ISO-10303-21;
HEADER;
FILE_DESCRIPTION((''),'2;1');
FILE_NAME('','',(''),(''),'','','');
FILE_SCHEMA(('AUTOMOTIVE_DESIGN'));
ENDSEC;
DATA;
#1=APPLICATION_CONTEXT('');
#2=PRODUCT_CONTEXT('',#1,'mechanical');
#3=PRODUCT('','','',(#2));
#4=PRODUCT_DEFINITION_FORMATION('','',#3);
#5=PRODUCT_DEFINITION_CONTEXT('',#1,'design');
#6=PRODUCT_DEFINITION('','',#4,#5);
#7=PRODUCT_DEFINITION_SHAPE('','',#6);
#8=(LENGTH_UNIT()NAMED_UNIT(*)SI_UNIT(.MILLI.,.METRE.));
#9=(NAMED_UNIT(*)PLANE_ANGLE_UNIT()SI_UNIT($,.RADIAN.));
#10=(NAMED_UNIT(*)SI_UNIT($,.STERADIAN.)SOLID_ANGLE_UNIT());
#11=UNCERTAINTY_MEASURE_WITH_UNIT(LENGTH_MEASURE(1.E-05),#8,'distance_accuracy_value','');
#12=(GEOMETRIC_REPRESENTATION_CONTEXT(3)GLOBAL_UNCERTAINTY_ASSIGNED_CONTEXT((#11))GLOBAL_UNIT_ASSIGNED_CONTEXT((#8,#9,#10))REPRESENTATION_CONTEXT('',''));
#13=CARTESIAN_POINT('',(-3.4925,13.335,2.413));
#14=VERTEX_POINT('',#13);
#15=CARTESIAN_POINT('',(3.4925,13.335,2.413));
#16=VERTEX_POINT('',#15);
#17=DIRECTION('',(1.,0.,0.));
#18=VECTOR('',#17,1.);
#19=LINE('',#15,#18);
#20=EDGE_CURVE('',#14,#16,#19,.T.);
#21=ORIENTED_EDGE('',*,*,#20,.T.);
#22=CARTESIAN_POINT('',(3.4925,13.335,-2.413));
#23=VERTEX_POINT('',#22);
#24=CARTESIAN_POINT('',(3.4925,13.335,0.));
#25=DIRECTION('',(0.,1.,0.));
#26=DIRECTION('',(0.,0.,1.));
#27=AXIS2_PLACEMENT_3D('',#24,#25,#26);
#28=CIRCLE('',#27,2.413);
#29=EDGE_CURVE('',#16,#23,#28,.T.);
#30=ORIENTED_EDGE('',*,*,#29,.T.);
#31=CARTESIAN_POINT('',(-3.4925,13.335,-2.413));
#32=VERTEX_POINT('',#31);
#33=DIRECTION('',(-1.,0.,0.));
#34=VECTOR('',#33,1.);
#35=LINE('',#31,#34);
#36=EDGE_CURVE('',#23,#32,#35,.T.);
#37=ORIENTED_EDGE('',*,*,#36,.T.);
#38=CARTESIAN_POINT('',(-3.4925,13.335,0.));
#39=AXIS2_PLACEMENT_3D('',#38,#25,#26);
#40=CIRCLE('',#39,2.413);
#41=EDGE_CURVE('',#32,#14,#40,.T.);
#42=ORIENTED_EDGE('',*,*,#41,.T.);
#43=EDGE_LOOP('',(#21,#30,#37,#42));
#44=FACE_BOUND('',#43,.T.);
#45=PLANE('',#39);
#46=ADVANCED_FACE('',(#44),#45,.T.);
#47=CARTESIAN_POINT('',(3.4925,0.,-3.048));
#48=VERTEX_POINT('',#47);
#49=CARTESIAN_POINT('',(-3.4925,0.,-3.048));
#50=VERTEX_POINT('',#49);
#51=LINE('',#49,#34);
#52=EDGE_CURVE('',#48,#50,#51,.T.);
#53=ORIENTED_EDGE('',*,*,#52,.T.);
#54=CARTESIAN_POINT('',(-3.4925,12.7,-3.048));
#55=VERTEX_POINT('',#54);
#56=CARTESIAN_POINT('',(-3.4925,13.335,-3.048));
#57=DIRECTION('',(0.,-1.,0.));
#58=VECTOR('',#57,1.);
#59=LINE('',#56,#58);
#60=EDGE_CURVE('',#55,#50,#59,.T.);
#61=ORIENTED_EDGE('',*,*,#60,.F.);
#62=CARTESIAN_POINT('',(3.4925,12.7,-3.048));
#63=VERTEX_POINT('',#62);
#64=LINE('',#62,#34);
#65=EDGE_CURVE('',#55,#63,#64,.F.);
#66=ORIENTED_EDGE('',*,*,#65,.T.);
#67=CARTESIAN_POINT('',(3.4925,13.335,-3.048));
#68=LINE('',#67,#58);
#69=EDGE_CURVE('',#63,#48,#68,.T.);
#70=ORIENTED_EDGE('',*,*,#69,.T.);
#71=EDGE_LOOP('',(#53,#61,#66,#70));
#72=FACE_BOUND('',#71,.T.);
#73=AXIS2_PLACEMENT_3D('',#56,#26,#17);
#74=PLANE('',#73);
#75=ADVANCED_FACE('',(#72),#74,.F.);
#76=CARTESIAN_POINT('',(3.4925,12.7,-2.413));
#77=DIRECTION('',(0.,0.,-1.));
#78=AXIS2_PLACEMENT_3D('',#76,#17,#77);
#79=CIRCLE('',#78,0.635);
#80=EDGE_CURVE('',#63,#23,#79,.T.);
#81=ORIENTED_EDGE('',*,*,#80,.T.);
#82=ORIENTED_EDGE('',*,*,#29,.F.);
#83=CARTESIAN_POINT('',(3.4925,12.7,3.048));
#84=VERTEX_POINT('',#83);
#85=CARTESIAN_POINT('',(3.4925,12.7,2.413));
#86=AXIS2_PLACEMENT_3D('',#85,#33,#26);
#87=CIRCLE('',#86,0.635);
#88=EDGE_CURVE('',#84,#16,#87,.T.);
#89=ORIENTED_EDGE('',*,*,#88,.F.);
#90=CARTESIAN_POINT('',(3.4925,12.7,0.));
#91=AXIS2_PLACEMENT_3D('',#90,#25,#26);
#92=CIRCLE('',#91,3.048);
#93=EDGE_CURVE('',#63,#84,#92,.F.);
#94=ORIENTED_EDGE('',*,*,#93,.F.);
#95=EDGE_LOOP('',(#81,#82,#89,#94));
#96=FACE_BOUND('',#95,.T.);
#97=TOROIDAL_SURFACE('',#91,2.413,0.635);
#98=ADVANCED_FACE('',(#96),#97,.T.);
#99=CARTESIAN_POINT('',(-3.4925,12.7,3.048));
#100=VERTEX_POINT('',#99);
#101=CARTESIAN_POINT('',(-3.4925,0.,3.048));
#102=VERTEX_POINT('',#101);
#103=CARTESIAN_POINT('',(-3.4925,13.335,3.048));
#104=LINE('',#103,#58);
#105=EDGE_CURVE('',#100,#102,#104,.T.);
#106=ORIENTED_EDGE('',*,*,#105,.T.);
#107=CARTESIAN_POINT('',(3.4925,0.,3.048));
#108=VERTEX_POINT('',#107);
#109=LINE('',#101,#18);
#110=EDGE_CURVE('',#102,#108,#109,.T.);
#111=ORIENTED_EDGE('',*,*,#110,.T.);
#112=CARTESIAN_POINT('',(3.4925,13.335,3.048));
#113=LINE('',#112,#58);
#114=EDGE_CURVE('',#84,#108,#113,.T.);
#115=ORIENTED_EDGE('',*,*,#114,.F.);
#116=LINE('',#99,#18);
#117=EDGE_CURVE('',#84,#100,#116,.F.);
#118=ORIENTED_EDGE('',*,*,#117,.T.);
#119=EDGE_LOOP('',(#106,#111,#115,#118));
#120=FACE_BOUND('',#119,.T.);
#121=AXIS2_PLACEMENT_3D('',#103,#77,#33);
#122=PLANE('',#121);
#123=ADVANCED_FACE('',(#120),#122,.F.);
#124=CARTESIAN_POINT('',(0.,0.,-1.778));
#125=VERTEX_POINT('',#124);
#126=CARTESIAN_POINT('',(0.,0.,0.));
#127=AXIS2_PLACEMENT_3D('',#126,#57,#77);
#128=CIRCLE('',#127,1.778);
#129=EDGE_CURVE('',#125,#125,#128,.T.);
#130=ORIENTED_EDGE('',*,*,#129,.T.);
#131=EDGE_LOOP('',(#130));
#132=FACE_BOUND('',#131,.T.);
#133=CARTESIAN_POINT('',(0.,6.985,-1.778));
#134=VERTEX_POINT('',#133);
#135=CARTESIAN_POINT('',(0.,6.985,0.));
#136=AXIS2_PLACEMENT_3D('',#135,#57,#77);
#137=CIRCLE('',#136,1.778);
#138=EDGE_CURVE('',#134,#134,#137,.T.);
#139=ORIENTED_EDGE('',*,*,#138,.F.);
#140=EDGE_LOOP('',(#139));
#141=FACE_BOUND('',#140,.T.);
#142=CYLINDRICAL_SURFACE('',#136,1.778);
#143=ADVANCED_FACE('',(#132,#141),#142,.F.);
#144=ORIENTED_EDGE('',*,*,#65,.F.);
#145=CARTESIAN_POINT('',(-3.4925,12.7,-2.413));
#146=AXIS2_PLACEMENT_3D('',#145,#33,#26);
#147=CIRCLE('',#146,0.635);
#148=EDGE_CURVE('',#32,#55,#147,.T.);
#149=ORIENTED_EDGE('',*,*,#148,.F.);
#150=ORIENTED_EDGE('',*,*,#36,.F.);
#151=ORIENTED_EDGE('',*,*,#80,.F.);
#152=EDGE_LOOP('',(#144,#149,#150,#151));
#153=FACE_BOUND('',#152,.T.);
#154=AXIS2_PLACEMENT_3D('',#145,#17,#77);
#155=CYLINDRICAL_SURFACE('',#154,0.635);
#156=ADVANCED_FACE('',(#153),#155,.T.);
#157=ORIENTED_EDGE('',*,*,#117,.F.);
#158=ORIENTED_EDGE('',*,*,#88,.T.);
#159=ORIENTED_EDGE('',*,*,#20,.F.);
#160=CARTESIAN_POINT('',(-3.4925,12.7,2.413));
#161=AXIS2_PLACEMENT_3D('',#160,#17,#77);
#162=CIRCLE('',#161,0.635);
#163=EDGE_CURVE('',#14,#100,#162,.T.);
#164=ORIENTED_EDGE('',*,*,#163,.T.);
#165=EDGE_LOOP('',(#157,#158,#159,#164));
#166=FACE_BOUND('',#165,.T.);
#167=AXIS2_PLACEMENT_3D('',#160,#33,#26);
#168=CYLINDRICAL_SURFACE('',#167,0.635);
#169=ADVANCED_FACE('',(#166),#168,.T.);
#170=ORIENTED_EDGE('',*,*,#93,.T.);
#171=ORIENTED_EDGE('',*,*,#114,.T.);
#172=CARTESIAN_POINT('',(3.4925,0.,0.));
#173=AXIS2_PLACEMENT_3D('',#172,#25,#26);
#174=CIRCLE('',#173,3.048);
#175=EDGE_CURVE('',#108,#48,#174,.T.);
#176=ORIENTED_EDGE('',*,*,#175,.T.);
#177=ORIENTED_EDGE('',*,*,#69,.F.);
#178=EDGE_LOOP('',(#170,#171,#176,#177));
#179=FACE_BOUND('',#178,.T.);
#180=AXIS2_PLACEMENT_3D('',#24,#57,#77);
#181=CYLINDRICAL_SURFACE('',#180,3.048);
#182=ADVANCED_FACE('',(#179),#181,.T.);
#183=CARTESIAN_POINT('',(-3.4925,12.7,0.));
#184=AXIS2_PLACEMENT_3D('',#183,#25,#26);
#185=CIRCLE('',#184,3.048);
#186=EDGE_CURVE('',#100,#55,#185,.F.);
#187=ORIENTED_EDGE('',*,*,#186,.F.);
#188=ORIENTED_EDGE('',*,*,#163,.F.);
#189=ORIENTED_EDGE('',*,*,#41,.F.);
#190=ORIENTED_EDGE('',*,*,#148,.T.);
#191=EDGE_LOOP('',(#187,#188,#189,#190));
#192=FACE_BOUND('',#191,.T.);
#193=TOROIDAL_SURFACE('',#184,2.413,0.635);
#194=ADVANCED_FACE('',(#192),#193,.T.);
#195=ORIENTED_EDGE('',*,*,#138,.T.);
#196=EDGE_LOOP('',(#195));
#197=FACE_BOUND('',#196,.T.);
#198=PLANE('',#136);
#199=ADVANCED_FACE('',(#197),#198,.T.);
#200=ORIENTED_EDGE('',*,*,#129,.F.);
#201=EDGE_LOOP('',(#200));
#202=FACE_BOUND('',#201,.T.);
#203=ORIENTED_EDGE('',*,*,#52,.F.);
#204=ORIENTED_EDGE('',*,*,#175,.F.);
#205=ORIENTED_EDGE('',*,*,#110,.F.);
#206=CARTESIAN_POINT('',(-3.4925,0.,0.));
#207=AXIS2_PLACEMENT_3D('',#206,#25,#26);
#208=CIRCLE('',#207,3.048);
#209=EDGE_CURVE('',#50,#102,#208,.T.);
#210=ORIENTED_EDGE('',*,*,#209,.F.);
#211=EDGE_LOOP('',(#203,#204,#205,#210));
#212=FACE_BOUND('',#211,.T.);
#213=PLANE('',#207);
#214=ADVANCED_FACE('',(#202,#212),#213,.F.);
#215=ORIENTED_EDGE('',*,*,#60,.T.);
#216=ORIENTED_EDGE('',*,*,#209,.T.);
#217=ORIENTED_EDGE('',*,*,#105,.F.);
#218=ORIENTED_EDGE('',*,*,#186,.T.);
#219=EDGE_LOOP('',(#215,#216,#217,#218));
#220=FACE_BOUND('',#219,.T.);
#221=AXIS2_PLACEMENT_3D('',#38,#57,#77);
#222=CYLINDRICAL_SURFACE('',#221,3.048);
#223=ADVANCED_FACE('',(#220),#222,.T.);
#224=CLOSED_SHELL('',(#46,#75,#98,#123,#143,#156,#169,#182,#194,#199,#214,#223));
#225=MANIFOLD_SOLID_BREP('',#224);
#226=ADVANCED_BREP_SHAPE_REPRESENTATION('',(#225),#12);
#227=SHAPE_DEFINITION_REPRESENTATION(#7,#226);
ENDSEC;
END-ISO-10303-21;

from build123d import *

# Parameters (mm, degrees)
BOSS_EXTRUDE1_DEPTH = 13.335
FILLET1_R           = 0.635
SKETCH2_R           = 1.778
CUT_EXTRUDE3_DEPTH  = 6.985


with BuildPart() as part:
    # Sketch1 → Boss-Extrude1 (new body)
    with BuildSketch(Plane(origin=(0, 0, 0), x_dir=(1, 0, 0), z_dir=(0, 1, 0))):
        with BuildLine():
            Line((-3.4925, 3.048), (3.4925, 3.048))
            ThreePointArc((3.4925, 3.048), (6.5405, 0), (3.4925, -3.048))
            Line((3.4925, -3.048), (-3.4925, -3.048))
            ThreePointArc((-3.4925, -3.048), (-6.5405, 0), (-3.4925, 3.048))
        make_face()
    extrude(amount=BOSS_EXTRUDE1_DEPTH)

    # Fillet1
    fillet1_edges = [part.edges().sort_by_distance(p)[0] for p in [
        (6.5405, 13.335, 0),
        (0, 13.335, -3.048),
        (-6.5405, 13.335, 0),
        (0, 13.335, 3.048),
    ]]
    fillet(fillet1_edges, radius=FILLET1_R)

    # Sketch2 → Cut-Extrude3 (cut)
    with BuildSketch(Plane.XZ):
        Circle(SKETCH2_R)
    extrude(amount=-CUT_EXTRUDE3_DEPTH, mode=Mode.SUBTRACT)


solid = part.part
